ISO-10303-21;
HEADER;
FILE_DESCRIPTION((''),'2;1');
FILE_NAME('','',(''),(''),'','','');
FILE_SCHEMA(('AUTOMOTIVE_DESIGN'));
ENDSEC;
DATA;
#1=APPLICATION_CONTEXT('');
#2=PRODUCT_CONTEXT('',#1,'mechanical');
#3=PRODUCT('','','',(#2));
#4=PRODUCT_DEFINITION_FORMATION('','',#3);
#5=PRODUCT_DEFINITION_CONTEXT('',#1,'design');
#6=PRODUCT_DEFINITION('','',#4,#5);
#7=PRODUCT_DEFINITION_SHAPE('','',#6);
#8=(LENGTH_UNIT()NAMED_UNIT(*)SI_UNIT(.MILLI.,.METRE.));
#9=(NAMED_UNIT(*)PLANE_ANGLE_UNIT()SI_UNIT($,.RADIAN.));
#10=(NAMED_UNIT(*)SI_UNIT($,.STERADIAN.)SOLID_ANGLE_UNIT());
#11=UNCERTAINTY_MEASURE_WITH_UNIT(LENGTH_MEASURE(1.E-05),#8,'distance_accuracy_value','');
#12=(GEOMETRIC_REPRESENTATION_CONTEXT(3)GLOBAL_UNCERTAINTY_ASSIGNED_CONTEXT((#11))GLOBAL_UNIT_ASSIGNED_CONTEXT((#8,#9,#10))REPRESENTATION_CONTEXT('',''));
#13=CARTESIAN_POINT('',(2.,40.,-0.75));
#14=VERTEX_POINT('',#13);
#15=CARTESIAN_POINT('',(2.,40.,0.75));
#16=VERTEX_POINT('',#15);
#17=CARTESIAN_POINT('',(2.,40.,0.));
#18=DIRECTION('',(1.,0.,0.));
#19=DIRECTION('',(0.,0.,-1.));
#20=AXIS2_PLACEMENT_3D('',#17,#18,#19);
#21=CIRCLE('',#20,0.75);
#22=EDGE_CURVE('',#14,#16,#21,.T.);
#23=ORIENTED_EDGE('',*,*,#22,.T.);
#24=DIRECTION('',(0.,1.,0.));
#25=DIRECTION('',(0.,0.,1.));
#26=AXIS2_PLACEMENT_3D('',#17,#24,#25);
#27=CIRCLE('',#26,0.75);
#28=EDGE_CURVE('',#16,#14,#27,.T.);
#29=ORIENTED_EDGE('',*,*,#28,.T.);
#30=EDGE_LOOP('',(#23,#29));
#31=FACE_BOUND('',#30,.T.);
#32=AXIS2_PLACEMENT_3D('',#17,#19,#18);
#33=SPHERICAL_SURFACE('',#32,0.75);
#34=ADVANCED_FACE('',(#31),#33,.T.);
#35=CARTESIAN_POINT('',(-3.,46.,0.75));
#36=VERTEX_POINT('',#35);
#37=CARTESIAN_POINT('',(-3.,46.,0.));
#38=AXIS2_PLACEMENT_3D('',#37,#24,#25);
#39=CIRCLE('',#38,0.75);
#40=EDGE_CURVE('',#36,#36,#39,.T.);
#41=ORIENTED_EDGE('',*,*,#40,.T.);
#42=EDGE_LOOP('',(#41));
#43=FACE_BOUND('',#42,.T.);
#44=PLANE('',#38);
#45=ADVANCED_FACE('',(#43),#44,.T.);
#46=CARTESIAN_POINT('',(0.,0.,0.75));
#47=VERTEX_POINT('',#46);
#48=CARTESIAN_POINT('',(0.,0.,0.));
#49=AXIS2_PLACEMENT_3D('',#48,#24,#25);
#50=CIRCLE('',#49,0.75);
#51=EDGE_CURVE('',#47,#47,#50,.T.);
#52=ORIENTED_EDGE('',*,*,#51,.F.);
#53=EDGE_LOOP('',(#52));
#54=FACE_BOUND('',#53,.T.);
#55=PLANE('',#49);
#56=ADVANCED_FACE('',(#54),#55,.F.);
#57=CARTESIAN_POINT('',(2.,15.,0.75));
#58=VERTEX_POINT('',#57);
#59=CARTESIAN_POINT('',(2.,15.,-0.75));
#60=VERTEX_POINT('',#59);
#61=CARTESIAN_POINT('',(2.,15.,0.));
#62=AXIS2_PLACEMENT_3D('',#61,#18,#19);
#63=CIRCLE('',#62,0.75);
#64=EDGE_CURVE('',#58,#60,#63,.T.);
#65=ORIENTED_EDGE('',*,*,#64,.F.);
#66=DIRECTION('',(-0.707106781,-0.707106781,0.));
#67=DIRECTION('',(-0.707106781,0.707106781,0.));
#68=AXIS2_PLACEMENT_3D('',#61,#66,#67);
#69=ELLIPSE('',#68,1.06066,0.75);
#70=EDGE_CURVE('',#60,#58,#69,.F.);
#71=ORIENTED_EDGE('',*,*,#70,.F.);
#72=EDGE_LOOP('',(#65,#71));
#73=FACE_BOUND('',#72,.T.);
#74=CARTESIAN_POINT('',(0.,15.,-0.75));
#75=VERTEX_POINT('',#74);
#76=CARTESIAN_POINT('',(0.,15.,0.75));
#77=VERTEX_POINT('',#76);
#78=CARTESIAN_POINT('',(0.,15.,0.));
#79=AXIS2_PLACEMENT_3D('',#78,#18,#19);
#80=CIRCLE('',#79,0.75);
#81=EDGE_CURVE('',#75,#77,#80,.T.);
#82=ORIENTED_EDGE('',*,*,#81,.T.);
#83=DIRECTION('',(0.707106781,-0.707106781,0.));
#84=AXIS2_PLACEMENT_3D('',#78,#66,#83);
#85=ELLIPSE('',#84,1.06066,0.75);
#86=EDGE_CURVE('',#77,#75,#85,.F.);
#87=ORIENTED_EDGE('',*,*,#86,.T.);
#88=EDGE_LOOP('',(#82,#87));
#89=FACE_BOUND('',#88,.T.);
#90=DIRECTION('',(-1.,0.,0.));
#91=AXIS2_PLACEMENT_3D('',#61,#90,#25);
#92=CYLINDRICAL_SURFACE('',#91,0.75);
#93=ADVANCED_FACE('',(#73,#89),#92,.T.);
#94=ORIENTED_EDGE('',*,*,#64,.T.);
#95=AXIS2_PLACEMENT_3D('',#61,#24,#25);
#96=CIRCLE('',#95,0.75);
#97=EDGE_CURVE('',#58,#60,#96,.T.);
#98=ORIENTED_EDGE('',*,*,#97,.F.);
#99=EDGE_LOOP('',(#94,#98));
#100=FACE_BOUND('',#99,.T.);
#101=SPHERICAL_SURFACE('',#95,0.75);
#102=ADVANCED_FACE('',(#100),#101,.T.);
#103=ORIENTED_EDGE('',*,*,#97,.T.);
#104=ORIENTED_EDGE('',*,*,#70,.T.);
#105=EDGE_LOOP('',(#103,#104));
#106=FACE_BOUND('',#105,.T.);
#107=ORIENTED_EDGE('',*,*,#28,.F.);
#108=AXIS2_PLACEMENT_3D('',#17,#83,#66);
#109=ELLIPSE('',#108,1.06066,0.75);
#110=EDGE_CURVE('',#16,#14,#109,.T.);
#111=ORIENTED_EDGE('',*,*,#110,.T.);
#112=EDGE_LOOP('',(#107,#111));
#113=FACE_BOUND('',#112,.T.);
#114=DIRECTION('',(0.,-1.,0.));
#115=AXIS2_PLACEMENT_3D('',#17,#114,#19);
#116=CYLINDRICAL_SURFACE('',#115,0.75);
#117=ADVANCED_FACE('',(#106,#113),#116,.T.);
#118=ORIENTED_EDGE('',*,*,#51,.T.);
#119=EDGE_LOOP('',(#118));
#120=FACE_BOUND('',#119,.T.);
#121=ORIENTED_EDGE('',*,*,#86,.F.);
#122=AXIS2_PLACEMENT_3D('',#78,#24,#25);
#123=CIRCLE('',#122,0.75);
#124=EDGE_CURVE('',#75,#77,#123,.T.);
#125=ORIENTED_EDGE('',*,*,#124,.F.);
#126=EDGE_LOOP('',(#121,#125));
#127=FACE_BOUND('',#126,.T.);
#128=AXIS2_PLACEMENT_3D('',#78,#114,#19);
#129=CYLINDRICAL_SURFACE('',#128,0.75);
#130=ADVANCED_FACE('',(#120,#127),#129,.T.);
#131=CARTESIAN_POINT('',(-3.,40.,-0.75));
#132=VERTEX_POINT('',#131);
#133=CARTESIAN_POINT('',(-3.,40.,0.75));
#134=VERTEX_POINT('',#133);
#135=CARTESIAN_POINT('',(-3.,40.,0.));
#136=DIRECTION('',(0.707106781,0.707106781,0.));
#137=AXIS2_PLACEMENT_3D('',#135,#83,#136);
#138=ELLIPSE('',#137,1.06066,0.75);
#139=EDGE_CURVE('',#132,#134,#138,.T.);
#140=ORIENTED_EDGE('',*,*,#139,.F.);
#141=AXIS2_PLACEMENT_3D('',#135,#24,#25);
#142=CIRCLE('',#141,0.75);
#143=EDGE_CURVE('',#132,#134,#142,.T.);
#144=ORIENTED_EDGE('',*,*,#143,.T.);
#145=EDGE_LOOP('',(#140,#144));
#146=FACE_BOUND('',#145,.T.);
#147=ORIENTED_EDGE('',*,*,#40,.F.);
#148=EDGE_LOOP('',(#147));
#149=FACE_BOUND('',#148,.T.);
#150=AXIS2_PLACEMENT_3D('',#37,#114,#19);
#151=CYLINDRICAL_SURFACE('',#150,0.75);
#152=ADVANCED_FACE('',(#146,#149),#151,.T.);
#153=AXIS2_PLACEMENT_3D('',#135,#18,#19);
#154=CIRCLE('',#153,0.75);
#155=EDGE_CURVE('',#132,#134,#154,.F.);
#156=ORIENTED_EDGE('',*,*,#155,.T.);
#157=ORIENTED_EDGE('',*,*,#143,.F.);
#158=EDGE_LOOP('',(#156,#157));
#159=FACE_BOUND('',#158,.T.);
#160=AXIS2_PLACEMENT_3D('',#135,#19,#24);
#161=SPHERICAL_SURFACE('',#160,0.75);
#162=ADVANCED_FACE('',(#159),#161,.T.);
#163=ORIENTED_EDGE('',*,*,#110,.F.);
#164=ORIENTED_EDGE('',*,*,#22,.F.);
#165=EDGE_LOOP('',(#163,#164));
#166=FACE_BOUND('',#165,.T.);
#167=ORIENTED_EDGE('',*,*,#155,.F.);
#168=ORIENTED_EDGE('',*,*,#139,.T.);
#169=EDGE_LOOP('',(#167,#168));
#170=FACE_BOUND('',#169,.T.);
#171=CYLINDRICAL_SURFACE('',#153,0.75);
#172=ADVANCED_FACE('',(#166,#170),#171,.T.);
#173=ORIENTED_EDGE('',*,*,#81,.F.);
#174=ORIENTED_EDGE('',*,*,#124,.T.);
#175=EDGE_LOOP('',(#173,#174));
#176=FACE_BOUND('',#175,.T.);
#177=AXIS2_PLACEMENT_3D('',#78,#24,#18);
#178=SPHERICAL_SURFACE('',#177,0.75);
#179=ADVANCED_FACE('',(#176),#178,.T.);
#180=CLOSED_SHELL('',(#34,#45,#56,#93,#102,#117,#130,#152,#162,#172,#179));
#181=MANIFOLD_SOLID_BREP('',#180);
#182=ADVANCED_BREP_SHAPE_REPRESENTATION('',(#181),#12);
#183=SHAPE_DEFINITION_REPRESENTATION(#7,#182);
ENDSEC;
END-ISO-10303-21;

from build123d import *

# Parameters (mm, degrees)
SKETCH_1_R      = 0.75
EXTRUDE_1_DEPTH = 15
SKETCH_3_R      = 0.75
EXTRUDE_2_DEPTH = 2
SKETCH_5_R      = 0.75
EXTRUDE_3_DEPTH = 25
SKETCH_7_R      = 0.75
EXTRUDE_4_DEPTH = 5
EXTRUDE_START   = 25
SKETCH_9_R      = 0.75
EXTRUDE_5_DEPTH = 6


with BuildPart() as part:
    # 草图1 → 凸台-拉伸1 (new body)
    with BuildSketch(Plane(origin=(0, 0, 0), x_dir=(1, 0, 0), z_dir=(0, 1, 0))):
        with Locations(Location((0, 0, 0), (0, 0, 270))):
            Circle(SKETCH_1_R)
    extrude(amount=EXTRUDE_1_DEPTH)

    # 草图2 → 旋转1 (revolve)
    with BuildSketch(Plane.XY):
        with BuildLine():
            Line((0, 15.75), (0, 14.25))
            ThreePointArc((0, 14.25), (0.75, 15), (0, 15.75))
        make_face()
    revolve(axis=Axis((0, 15.75, 0), (0, -1, 0)))

    # 草图3 → 凸台-拉伸2 (add)
    with BuildSketch(Plane(origin=(0, 0, 0), x_dir=(0, 0, -1), z_dir=(1, 0, 0))):
        with Locations((0, 15)):
            Circle(SKETCH_3_R)
    extrude(amount=EXTRUDE_2_DEPTH)

    # 草图4 → 旋转2 (revolve)
    with BuildSketch(Plane(origin=(2, 0, 0), x_dir=(0, 0, -1), z_dir=(1, 0, 0))):
        with BuildLine():
            Line((0, 15.75), (0, 14.25))
            ThreePointArc((0, 14.25), (0.75, 15), (0, 15.75))
        make_face()
    revolve(axis=Axis((2, 15.75, 0), (0, -1, 0)))

    # 草图5 → 凸台-拉伸3 (add)
    with BuildSketch(Plane(origin=(0, 15, 0), x_dir=(1, 0, 0), z_dir=(0, 1, 0))):
        with Locations(Location((2, 0, 0), (0, 0, 270))):
            Circle(SKETCH_5_R)
    extrude(amount=EXTRUDE_3_DEPTH)

    # 草图6 → 旋转3 (revolve)
    with BuildSketch(Plane(origin=(0, 40, 0), x_dir=(1, 0, 0), z_dir=(0, 1, 0))):
        with BuildLine():
            Line((2, 0.75), (2, -0.75))
            ThreePointArc((2, -0.75), (2.75, 0), (2, 0.75))
        make_face()
    revolve(axis=Axis((2, 40, -0.75), (0, 0, 1)))

    # 草图7 → 凸台-拉伸4 (add)
    with BuildSketch(Plane(origin=(2, 0, 0), x_dir=(0, 0, -1), z_dir=(1, 0, 0))):
        with Locations((0, 40)):
            Circle(SKETCH_7_R)
    extrude(amount=-EXTRUDE_4_DEPTH)

    # 草图8 → 旋转5 (revolve)
    with BuildSketch(Plane.ZY.offset(3)):
        with BuildLine():
            Line((-0.75, 40), (0.75, 40))
            ThreePointArc((0.75, 40), (0, 40.75), (-0.75, 40))
        make_face()
    revolve(axis=Axis((-3, 40, -0.75), (0, 0, 1)))

    # 草图9 → 凸台-拉伸5 (add)
    with BuildSketch(Plane(origin=(0, 15, 0), x_dir=(1, 0, 0), z_dir=(0, 1, 0)).offset(EXTRUDE_START)):
        with Locations(Location((-3, 0, 0), (0, 0, 270))):
            Circle(SKETCH_9_R)
    extrude(amount=EXTRUDE_5_DEPTH)


solid = part.part
